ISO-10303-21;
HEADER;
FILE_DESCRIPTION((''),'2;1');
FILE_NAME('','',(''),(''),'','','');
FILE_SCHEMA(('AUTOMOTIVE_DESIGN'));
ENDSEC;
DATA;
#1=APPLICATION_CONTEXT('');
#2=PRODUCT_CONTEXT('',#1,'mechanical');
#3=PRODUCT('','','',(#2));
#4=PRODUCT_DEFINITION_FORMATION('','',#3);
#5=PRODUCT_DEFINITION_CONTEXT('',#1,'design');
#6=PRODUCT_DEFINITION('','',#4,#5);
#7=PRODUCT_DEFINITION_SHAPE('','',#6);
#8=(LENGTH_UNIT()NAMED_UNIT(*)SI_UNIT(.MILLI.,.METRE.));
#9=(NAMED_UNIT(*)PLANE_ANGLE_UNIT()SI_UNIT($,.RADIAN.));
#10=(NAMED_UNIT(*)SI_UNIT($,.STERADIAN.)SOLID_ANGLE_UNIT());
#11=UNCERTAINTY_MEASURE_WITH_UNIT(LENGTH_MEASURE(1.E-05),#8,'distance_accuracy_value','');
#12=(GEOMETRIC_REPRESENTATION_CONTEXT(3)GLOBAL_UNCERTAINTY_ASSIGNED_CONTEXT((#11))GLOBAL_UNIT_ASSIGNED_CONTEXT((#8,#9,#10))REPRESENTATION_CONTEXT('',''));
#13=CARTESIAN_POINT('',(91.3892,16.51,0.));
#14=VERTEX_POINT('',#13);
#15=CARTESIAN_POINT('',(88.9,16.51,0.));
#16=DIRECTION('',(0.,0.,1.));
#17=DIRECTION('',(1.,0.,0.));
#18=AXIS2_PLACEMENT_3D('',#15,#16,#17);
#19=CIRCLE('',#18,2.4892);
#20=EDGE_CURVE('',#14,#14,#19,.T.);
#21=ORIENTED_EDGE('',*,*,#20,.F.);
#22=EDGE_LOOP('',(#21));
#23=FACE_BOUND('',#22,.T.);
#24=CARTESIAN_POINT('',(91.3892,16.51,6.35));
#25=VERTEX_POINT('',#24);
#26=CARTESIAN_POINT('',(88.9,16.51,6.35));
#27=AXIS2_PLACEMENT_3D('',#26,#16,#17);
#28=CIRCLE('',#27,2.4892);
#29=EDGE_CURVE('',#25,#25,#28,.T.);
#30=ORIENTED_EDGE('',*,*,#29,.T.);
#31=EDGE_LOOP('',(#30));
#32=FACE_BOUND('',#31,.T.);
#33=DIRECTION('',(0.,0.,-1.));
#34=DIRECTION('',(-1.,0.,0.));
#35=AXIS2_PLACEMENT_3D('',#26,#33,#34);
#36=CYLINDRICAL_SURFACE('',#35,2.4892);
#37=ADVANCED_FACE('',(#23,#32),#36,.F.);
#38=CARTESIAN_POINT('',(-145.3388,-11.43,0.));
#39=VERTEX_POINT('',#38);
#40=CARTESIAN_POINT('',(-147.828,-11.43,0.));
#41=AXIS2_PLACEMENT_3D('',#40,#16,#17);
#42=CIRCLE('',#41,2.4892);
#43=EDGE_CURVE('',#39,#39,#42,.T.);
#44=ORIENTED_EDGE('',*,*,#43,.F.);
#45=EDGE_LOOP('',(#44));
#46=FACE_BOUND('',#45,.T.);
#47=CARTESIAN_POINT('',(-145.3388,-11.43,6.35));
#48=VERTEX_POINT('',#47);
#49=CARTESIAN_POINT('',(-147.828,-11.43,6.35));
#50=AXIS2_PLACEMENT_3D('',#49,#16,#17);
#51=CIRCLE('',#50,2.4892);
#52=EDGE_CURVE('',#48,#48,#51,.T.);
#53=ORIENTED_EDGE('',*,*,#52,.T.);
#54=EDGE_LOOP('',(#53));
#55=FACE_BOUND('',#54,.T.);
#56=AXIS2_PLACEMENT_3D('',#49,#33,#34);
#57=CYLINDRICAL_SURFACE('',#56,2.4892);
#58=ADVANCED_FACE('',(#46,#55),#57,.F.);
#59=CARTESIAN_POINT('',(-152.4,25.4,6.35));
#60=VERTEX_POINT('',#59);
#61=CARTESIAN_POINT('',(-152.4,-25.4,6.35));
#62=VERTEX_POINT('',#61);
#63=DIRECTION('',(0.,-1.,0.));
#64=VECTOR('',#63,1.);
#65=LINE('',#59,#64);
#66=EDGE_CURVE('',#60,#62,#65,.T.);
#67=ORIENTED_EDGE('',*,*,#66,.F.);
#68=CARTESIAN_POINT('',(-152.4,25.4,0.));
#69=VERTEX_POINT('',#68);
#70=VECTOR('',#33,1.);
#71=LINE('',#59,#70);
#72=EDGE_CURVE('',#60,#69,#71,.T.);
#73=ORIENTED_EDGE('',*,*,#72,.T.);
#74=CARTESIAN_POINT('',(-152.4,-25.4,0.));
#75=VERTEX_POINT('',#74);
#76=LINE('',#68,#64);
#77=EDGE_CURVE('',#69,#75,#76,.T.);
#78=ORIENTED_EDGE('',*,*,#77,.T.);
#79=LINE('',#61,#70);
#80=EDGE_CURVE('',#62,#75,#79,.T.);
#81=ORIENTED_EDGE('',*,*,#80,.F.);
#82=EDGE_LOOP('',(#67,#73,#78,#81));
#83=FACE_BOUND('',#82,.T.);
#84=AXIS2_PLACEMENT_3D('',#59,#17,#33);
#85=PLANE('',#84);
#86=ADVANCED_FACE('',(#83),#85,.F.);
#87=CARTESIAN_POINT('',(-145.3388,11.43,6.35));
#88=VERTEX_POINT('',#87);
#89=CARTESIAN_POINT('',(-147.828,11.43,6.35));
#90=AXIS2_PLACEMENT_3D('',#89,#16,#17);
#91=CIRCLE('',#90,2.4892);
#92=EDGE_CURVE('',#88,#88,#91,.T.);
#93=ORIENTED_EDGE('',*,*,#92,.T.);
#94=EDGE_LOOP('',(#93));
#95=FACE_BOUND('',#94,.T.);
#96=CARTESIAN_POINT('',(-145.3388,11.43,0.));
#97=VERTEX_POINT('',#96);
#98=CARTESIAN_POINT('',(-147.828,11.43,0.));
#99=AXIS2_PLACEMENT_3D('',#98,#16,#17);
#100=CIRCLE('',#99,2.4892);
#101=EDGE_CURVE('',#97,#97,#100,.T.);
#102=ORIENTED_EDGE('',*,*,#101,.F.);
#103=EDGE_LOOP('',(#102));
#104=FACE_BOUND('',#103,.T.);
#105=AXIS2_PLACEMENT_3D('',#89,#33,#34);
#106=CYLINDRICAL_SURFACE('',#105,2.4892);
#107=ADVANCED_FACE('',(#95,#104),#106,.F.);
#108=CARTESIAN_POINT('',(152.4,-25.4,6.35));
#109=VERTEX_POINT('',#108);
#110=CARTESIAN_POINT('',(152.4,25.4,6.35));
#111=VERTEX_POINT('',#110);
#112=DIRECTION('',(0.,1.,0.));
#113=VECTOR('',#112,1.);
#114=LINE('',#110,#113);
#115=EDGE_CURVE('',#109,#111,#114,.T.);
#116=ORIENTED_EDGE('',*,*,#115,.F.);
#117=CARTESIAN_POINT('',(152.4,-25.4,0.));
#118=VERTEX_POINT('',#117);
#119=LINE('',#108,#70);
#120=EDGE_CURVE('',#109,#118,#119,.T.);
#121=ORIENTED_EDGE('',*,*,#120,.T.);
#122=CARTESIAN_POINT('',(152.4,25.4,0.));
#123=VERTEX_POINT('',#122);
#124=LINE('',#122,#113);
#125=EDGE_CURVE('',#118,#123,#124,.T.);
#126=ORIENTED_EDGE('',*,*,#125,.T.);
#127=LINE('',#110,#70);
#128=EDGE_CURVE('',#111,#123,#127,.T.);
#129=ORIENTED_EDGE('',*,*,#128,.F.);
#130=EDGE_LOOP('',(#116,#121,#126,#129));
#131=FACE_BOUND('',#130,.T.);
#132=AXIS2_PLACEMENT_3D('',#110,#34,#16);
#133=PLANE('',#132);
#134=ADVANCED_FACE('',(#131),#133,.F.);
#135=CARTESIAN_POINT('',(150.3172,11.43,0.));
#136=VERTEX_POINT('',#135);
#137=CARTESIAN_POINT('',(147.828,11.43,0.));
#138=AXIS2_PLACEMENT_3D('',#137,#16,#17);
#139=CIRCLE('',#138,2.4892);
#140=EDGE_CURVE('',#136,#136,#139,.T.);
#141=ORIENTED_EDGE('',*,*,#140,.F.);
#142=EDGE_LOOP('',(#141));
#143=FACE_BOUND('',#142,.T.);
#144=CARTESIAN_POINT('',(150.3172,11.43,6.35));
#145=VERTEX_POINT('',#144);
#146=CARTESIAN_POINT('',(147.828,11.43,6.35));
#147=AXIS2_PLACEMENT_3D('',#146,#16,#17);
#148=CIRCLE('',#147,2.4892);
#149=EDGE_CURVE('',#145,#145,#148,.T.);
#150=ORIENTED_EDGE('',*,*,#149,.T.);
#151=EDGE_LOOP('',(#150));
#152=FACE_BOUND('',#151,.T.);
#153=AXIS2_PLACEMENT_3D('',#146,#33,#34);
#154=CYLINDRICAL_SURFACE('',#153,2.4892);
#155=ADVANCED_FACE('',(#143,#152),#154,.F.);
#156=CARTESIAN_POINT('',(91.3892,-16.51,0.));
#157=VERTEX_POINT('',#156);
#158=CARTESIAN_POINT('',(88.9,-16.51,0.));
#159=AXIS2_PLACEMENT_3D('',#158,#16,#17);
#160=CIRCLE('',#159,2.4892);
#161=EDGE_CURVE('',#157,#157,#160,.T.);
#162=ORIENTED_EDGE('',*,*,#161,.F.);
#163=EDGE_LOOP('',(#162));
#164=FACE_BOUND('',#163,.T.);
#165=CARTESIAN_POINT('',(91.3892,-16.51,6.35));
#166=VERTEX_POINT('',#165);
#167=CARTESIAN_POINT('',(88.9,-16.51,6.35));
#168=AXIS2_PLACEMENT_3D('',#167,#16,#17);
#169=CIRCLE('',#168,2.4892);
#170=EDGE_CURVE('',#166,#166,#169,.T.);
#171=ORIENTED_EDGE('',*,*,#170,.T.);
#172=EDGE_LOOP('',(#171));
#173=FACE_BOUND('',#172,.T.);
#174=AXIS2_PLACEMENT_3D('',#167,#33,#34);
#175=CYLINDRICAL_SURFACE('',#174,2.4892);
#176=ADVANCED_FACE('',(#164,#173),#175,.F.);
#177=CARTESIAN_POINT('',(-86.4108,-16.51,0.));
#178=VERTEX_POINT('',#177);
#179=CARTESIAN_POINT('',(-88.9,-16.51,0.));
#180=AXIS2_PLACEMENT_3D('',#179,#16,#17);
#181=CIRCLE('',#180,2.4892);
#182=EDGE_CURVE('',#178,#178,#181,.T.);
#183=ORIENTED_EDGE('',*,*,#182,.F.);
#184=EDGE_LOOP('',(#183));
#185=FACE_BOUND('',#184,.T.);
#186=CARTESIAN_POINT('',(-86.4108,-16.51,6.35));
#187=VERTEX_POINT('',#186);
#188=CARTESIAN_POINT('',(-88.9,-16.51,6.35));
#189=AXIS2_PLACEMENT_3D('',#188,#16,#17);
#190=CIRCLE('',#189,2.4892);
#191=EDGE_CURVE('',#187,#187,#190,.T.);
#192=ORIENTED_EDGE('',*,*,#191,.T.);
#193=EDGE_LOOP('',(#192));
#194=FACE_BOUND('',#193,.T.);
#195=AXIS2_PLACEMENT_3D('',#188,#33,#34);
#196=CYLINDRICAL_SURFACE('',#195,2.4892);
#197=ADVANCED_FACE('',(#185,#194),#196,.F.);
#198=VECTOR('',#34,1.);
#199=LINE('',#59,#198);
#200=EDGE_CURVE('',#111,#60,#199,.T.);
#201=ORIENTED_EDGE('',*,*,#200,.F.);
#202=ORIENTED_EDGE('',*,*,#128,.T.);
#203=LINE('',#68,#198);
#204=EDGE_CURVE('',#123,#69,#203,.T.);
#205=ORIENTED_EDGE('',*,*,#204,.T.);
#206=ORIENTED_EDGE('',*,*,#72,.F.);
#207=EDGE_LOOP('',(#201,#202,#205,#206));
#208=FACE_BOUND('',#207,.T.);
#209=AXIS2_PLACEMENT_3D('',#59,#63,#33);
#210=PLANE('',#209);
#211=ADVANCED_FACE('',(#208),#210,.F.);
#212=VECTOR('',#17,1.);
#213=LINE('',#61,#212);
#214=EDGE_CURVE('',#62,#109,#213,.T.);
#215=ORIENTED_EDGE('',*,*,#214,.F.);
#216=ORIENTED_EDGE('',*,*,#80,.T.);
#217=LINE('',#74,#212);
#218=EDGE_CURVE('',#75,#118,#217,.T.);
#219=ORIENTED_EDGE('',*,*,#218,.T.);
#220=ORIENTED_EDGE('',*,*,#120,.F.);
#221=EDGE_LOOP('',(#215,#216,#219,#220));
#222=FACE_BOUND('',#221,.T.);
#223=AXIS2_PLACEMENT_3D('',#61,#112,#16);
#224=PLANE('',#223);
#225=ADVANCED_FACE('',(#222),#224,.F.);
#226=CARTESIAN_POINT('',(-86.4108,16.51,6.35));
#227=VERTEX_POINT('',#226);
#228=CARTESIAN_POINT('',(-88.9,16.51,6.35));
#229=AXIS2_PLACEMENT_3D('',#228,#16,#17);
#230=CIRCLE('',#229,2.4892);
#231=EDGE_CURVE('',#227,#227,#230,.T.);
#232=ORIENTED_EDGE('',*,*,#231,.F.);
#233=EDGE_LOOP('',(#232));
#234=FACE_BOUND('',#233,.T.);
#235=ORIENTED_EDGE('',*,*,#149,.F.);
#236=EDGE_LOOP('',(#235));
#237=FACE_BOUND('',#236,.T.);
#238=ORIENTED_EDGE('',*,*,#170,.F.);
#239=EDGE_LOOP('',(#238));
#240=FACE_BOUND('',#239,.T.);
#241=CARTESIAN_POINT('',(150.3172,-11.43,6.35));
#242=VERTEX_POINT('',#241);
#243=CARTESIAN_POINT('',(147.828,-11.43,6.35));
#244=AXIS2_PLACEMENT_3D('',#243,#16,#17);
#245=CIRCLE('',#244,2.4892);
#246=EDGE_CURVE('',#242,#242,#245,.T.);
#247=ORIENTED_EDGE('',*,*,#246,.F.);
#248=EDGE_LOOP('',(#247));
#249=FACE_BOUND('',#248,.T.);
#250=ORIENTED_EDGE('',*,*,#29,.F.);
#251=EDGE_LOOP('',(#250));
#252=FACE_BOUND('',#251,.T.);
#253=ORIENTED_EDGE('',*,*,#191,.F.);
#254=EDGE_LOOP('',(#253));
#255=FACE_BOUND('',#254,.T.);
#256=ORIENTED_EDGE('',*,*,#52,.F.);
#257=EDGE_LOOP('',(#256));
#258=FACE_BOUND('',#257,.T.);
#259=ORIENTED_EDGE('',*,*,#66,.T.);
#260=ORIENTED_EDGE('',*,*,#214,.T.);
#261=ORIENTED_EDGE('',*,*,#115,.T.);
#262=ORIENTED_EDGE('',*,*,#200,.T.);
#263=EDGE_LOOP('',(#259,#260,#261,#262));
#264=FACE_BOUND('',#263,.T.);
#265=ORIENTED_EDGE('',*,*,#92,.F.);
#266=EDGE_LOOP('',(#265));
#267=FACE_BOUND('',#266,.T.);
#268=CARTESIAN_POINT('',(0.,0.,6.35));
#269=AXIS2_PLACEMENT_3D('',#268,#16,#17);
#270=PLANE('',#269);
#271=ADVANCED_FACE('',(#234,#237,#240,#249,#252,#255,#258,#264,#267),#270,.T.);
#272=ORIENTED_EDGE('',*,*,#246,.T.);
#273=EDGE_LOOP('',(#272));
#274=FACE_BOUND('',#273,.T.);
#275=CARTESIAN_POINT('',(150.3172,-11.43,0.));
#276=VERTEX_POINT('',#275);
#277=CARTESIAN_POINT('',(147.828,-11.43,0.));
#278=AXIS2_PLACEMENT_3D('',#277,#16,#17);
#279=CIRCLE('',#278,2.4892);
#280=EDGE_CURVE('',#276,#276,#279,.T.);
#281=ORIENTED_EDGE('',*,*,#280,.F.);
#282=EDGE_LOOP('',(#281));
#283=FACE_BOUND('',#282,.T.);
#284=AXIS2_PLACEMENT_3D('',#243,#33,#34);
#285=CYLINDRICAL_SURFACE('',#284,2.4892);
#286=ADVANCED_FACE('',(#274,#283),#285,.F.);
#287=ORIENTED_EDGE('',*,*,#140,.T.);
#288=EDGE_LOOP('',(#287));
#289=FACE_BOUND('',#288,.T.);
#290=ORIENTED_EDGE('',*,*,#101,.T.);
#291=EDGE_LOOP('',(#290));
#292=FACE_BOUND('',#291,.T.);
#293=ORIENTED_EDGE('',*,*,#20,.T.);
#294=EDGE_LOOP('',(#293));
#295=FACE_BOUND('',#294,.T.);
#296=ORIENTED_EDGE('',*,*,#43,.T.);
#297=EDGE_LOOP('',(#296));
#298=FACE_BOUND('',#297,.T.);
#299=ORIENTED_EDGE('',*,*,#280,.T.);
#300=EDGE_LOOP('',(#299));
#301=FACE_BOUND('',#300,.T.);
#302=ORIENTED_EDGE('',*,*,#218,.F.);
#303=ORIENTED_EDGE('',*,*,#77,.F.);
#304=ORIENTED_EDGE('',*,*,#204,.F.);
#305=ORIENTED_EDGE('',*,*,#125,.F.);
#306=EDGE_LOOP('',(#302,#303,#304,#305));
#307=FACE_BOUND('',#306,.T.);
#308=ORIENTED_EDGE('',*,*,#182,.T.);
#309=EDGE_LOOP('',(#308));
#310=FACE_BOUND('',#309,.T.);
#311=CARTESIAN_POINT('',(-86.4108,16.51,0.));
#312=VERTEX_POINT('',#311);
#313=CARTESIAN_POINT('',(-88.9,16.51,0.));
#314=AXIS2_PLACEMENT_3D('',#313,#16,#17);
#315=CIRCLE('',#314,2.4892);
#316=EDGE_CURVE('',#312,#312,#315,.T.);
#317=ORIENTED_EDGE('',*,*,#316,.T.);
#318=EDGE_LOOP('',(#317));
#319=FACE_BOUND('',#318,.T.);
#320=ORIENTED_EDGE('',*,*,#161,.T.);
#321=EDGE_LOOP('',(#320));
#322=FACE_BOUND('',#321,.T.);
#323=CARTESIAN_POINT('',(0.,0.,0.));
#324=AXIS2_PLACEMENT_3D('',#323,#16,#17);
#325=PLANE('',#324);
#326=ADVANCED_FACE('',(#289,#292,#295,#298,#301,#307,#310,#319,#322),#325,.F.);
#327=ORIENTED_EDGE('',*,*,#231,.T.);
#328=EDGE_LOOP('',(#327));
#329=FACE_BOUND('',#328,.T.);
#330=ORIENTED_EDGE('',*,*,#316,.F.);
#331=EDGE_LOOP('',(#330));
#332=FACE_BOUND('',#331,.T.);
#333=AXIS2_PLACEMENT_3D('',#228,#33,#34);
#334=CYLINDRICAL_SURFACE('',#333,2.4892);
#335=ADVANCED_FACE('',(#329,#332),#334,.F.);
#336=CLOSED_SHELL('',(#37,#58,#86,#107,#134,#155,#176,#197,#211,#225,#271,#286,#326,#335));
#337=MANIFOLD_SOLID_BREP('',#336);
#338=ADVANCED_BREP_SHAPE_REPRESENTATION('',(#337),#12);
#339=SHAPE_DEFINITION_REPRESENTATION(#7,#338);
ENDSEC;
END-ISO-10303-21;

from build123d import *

# Parameters (mm, degrees)
SKETCH1_W           = 304.8
SKETCH1_H           = 50.8
SKETCH1_R           = 2.4892
BOSS_EXTRUDE1_DEPTH = 6.35


with BuildPart() as part:
    # Sketch1 → Boss-Extrude1 (new body)
    with BuildSketch(Plane.XY):
        Rectangle(SKETCH1_W, SKETCH1_H)
        with Locations((-88.9, 16.51)):
            Circle(SKETCH1_R, mode=Mode.SUBTRACT)
        with Locations((-88.9, -16.51)):
            Circle(SKETCH1_R, mode=Mode.SUBTRACT)
        with Locations((88.9, -16.51)):
            Circle(SKETCH1_R, mode=Mode.SUBTRACT)
        with Locations((88.9, 16.51)):
            Circle(SKETCH1_R, mode=Mode.SUBTRACT)
        with Locations((-147.828, 11.43)):
            Circle(SKETCH1_R, mode=Mode.SUBTRACT)
        with Locations((-147.828, -11.43)):
            Circle(SKETCH1_R, mode=Mode.SUBTRACT)
        with Locations((147.828, 11.43)):
            Circle(SKETCH1_R, mode=Mode.SUBTRACT)
        with Locations((147.828, -11.43)):
            Circle(SKETCH1_R, mode=Mode.SUBTRACT)
    extrude(amount=BOSS_EXTRUDE1_DEPTH)


solid = part.part
